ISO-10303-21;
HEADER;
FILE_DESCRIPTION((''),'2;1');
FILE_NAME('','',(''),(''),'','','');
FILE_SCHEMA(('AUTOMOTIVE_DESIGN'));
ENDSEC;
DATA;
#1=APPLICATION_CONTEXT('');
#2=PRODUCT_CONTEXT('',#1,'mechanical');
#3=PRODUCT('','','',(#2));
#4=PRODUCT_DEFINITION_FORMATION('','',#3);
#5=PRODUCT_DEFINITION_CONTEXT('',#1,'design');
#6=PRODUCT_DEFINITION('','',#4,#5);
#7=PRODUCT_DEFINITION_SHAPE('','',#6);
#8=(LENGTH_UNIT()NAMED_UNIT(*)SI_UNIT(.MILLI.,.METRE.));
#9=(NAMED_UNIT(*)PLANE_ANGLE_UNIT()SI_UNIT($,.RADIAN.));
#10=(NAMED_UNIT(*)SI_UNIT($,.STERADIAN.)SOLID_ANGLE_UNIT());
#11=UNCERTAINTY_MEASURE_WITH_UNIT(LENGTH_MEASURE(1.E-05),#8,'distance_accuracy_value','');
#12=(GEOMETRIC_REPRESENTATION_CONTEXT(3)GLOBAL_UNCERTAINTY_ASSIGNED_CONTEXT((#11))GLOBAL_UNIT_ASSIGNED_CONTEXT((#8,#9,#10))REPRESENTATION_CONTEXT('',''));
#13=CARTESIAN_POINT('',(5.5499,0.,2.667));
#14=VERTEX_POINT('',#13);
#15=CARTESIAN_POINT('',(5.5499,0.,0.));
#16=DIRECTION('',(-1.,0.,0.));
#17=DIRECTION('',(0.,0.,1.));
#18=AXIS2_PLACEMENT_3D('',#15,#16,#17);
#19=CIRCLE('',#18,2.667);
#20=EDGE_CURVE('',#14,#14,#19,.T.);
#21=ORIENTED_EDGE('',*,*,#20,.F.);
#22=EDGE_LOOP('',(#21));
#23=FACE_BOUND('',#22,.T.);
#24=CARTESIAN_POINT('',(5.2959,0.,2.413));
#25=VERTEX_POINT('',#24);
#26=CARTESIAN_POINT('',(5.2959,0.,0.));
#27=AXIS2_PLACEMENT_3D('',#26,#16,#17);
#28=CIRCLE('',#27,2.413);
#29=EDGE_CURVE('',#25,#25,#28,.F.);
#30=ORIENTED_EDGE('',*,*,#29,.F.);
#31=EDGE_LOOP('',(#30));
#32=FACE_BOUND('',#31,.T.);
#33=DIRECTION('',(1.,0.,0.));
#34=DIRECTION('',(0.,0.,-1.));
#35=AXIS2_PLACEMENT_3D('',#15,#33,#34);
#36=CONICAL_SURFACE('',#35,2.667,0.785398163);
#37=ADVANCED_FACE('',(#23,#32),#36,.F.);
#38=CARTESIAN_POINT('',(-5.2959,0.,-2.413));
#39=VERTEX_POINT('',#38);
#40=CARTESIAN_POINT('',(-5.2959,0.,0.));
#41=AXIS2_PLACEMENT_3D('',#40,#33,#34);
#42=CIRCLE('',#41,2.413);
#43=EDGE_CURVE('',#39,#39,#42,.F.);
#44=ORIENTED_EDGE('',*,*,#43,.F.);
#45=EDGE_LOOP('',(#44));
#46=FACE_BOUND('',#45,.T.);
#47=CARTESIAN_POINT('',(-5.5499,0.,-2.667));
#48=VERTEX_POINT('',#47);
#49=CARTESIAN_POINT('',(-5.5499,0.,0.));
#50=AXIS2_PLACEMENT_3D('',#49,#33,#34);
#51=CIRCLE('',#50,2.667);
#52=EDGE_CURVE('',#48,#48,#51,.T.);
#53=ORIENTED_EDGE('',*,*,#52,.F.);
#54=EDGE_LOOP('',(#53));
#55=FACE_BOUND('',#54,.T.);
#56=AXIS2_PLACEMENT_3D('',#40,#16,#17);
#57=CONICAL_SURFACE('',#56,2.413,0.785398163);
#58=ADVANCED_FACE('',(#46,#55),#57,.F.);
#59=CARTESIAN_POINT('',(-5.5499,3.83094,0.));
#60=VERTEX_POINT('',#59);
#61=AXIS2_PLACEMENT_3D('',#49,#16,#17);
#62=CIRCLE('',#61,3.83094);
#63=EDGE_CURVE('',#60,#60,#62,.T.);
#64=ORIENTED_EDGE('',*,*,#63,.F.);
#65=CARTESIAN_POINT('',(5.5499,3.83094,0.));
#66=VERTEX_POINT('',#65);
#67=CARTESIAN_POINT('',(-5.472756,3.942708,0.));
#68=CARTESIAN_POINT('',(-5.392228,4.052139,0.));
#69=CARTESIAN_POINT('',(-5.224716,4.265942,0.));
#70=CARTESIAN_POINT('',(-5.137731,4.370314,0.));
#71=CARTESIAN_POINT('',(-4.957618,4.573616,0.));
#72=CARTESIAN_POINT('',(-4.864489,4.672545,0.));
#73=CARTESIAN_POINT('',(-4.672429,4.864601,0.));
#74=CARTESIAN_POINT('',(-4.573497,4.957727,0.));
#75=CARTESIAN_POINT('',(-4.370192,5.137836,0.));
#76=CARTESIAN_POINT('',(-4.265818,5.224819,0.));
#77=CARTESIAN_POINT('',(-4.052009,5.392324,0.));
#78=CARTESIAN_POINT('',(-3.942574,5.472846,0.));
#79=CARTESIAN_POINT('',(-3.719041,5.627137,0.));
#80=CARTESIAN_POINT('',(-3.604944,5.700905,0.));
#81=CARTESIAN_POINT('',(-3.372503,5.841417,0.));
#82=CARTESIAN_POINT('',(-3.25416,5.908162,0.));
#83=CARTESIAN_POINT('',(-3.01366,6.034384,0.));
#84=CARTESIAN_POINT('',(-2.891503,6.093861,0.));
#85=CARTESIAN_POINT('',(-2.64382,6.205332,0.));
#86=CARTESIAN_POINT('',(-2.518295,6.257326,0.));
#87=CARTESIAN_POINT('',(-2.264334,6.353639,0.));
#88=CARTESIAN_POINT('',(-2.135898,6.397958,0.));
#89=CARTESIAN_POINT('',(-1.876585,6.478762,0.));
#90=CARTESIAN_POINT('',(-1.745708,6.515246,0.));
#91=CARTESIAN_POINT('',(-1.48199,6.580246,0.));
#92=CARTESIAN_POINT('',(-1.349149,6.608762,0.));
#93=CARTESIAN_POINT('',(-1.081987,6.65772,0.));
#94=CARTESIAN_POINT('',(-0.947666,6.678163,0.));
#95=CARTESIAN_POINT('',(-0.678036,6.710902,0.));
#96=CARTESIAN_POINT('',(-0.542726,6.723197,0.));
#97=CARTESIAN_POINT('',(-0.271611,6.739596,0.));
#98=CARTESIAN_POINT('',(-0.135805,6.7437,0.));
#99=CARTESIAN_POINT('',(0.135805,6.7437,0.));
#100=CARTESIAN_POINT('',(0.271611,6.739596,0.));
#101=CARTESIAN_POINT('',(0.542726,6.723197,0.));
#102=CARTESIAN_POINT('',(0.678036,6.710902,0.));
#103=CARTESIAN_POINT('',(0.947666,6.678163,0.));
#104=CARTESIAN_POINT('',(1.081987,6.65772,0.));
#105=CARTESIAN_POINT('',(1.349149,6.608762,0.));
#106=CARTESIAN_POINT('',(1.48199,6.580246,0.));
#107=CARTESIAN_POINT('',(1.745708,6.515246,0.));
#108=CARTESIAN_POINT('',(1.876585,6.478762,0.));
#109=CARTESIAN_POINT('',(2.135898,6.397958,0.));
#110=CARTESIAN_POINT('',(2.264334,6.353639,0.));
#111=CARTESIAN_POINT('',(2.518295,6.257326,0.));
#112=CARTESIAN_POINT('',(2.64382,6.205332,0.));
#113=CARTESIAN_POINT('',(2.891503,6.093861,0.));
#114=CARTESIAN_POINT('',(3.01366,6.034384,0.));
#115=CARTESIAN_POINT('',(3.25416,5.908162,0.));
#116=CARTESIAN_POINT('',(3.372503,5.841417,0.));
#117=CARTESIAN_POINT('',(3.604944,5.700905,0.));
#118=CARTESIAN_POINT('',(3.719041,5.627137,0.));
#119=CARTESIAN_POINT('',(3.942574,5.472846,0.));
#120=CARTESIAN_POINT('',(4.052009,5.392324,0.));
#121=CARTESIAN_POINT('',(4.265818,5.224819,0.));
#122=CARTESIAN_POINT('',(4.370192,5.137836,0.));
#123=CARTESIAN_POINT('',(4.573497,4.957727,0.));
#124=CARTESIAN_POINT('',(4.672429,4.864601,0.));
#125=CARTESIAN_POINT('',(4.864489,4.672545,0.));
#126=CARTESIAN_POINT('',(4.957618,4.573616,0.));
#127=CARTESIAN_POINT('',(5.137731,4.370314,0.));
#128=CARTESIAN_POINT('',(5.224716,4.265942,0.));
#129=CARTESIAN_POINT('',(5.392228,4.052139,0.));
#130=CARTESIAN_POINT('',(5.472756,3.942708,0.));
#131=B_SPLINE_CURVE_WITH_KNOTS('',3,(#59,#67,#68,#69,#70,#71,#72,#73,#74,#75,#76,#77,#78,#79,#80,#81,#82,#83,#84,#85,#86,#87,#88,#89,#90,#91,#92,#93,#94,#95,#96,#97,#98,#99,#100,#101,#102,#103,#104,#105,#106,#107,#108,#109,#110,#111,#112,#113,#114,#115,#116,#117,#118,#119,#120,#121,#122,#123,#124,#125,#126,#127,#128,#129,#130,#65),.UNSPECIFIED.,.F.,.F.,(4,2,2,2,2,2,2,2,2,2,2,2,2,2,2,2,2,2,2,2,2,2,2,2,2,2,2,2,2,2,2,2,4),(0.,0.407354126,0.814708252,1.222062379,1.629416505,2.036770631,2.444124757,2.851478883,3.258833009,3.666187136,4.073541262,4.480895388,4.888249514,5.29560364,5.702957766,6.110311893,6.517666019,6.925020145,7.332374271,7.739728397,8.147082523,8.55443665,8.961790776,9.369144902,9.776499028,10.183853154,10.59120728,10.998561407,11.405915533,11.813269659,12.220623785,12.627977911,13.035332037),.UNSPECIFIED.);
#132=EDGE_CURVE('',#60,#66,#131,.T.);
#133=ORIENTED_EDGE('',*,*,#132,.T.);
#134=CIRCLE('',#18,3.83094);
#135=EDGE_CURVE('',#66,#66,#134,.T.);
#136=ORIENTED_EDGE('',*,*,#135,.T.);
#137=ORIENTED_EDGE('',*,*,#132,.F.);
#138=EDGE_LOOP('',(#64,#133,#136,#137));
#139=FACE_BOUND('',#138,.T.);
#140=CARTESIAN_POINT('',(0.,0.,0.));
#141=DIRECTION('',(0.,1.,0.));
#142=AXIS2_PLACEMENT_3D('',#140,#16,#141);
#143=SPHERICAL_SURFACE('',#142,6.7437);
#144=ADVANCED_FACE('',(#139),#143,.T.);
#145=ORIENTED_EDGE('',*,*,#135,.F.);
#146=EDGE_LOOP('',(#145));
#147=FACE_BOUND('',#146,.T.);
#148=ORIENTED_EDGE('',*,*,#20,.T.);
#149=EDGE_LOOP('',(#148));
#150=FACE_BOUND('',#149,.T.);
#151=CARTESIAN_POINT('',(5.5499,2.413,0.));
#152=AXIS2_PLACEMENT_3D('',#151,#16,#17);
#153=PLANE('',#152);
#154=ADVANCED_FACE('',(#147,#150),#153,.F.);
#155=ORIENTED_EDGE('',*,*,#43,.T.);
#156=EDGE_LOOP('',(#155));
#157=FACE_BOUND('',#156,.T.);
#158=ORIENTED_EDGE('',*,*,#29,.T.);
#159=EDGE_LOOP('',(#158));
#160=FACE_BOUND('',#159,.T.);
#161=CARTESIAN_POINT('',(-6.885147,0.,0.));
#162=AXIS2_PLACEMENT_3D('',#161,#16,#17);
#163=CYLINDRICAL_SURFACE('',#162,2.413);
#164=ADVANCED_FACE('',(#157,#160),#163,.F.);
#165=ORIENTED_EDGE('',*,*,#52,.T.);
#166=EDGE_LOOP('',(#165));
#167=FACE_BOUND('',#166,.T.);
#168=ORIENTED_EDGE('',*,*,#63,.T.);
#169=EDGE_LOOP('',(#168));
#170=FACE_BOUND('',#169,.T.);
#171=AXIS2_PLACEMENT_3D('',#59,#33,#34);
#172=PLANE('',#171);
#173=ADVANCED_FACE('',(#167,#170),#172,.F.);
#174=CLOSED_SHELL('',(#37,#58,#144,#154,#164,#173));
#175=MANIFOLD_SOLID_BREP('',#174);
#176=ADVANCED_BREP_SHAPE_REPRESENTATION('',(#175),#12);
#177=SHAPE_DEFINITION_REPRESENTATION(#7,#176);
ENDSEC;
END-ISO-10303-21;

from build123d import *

# Parameters (mm, degrees)
CHAMFER1_SIZE = 0.254


with BuildPart() as part:
    # Sketch1 → Revolve1 (revolve)
    with BuildSketch(Plane.XY):
        with BuildLine():
            Line((-5.5499, 3.830939791), (-5.5499, 2.413))
            Line((-5.5499, 2.413), (5.5499, 2.413))
            Line((5.5499, 2.413), (5.5499, 3.830939791))
            ThreePointArc((5.5499, 3.830939791), (0, 6.7437), (-5.5499, 3.830939791))
        make_face()
    revolve(axis=Axis((-6.885146645, 0, 0), (1, 0, 0)))

    # Chamfer1
    chamfer1_edges = [part.edges().sort_by_distance(p)[0] for p in [
        (5.5499, -2.413, 0),
        (-5.5499, -2.413, 0),
    ]]
    chamfer(chamfer1_edges, length=CHAMFER1_SIZE)


solid = part.part
